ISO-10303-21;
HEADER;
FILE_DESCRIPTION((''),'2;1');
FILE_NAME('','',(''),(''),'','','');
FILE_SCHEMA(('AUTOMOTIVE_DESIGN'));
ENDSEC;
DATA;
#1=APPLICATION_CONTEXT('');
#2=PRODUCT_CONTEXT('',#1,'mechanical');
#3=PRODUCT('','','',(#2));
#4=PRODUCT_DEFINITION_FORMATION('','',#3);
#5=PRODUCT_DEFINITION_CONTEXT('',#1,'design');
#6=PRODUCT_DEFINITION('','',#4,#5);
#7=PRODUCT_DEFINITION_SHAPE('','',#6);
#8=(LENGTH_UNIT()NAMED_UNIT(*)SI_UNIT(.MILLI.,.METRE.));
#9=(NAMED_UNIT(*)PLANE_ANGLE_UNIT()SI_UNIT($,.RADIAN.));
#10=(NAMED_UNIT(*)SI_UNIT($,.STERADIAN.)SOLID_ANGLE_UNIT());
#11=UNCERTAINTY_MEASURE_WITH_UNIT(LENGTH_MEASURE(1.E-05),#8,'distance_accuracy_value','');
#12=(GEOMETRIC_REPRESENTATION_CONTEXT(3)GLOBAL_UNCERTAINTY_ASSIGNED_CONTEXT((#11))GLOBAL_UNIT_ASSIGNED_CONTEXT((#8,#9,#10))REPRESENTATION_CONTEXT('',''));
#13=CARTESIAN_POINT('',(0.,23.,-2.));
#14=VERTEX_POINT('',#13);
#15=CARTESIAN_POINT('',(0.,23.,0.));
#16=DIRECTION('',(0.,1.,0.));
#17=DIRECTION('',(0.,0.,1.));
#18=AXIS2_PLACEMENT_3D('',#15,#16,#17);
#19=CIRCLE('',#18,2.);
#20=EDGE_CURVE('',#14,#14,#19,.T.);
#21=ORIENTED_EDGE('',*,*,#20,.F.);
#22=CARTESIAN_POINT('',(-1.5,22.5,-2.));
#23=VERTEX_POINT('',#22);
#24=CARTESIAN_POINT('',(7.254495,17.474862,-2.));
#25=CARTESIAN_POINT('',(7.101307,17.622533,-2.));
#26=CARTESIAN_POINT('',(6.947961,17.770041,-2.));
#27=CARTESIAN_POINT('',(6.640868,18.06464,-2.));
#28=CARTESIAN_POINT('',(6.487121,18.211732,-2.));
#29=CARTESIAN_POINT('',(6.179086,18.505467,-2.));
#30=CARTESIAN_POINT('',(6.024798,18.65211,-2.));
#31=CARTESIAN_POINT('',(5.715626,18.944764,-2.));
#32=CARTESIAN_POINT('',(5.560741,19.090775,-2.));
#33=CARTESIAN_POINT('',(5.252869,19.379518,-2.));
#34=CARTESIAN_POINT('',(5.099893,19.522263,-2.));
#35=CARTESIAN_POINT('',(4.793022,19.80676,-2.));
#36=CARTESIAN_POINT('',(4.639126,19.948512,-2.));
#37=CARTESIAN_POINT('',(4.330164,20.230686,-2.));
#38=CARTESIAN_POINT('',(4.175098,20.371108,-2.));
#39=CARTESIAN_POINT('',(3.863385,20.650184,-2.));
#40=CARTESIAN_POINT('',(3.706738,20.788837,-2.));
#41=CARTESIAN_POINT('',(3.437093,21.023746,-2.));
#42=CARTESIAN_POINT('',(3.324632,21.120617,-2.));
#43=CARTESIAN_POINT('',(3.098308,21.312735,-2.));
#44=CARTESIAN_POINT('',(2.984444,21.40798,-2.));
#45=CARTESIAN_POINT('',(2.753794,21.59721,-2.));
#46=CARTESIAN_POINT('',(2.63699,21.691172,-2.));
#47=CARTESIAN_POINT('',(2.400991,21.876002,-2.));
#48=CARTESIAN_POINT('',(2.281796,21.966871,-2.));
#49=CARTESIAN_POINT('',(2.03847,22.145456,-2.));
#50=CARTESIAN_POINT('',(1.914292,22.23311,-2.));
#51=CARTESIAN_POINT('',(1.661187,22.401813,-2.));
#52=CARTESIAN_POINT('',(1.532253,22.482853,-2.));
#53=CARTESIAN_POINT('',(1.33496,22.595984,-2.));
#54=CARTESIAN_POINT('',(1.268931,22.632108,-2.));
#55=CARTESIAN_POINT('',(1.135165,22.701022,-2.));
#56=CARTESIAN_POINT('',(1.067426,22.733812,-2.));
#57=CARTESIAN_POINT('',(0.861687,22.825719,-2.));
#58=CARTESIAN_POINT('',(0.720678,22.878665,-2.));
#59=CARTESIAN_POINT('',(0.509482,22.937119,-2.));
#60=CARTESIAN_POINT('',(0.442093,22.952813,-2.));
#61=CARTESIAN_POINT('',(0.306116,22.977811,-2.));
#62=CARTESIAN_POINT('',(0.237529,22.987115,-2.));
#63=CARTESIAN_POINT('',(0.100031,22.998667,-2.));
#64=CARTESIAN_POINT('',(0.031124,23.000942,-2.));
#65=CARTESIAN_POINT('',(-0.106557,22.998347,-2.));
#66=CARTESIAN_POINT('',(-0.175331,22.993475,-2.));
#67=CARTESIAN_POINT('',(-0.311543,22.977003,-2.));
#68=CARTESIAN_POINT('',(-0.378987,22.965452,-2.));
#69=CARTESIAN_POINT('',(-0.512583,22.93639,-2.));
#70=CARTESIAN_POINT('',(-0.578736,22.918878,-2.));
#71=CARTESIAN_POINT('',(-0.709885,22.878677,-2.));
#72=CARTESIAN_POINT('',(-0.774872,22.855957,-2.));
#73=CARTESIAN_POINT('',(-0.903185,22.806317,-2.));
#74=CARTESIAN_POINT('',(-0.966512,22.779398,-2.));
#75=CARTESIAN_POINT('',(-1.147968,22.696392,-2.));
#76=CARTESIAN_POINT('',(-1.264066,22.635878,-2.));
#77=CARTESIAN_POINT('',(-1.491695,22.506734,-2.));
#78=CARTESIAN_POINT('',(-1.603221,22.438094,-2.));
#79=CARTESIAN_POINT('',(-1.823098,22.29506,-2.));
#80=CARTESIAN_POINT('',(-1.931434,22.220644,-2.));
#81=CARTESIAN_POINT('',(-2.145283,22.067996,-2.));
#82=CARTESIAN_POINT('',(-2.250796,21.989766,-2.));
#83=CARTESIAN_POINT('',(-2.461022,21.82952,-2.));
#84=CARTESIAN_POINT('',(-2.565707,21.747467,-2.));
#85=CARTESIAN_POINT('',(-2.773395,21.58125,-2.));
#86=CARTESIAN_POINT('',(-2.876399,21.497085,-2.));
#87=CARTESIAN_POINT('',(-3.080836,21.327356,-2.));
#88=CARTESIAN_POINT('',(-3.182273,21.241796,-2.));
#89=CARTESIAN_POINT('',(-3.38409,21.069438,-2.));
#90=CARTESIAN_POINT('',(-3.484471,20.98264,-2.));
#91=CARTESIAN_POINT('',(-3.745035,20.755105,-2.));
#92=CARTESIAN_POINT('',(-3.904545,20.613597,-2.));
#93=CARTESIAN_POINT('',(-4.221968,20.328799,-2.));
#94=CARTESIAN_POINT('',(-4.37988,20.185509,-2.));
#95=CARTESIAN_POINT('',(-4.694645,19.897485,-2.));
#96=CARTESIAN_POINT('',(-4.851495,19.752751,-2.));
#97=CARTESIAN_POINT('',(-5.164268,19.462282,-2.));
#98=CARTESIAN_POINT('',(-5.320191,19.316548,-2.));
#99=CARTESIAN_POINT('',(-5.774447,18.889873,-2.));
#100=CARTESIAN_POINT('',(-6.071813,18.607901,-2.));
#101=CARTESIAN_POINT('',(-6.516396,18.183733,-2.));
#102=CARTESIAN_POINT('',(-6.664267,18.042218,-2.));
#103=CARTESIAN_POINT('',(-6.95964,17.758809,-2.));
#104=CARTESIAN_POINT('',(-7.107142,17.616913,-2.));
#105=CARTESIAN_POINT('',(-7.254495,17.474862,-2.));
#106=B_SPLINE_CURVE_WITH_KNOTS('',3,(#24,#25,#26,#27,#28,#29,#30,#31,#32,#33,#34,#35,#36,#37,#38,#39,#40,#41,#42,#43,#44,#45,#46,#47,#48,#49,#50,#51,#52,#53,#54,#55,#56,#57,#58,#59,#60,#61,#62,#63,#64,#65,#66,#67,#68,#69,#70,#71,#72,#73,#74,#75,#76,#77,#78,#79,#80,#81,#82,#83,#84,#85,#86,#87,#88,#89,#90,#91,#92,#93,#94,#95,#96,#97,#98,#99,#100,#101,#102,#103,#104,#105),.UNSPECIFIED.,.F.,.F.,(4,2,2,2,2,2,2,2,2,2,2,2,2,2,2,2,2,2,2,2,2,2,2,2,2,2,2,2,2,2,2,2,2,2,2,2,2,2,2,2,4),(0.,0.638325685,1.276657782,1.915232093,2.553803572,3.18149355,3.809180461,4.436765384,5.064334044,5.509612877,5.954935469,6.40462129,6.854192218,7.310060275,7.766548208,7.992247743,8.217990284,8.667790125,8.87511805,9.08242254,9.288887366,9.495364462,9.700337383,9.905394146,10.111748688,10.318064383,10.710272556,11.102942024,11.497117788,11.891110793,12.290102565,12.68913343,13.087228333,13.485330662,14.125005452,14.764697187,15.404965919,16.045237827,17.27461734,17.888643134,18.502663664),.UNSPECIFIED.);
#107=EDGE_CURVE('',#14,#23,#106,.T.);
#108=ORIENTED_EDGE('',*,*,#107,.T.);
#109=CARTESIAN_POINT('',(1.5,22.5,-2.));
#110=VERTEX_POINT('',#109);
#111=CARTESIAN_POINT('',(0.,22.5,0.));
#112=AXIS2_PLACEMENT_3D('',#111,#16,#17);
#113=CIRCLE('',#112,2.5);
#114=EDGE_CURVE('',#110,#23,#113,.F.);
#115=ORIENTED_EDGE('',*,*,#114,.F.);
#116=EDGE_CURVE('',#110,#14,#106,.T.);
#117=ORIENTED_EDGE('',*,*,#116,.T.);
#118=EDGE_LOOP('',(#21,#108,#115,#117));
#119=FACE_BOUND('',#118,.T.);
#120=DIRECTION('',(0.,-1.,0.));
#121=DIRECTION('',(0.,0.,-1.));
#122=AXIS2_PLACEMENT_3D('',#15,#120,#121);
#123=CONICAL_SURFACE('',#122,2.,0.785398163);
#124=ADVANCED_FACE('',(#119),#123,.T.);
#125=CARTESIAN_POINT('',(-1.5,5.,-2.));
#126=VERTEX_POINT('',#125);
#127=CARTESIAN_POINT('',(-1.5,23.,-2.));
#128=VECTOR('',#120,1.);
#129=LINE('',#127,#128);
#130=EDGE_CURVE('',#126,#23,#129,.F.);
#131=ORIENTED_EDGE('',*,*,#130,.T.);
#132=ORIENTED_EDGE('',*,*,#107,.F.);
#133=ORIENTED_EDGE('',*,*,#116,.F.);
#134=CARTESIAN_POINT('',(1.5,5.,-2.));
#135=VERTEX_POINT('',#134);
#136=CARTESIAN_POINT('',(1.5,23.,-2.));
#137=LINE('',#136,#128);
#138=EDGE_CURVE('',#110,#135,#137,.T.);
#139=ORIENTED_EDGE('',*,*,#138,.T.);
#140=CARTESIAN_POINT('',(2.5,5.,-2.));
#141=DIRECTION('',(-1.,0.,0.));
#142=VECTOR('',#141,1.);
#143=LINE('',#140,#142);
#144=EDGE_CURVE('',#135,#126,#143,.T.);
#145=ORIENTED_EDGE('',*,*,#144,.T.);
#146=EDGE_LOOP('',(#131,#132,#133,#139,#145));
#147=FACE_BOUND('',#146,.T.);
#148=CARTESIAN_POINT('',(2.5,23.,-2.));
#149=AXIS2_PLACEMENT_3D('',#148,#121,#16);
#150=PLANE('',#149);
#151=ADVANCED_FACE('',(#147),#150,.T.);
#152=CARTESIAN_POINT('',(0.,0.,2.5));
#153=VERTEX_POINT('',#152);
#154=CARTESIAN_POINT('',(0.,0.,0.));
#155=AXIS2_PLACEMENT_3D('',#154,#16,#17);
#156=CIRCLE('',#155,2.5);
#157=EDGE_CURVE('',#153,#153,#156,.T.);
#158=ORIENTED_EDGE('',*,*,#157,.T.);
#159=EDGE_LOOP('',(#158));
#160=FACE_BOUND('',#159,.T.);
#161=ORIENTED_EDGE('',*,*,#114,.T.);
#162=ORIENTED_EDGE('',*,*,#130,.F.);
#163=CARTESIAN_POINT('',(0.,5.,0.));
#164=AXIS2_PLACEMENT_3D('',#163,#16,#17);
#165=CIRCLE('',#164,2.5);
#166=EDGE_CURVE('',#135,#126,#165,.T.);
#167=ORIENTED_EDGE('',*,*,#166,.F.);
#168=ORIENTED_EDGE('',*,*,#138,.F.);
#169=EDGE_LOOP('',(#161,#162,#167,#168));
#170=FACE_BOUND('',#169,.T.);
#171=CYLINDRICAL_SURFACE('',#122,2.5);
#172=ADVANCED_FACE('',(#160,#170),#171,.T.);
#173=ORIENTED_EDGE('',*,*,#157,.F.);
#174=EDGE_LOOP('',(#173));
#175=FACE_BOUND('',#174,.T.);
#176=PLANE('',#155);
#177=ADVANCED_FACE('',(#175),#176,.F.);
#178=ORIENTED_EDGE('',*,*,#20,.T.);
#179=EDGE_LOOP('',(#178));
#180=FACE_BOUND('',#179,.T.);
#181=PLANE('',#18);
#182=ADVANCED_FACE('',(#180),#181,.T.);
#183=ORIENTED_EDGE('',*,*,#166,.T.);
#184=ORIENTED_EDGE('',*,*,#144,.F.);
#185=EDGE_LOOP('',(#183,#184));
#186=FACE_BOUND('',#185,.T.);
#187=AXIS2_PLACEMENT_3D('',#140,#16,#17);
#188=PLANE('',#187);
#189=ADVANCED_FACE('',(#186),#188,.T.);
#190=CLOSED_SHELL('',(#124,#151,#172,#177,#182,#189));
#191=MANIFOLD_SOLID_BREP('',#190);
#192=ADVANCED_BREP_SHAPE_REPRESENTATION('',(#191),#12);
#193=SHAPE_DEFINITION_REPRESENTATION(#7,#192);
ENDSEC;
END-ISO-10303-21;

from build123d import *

# Parameters (mm, degrees)
SKETCH1_R               = 2.5
BOSS_EXTRUDE1_DEPTH     = 23
CHAMFER1_SIZE           = 0.5
CUT_EXTRUDE1_DEPTH      = 24.270152556
CUT_EXTRUDE1_DEPTH_BACK = 24.270152556
SKETCH2_W               = 0.5
SKETCH2_H               = 18


with BuildPart() as part:
    # Sketch1 → Boss-Extrude1 (new body)
    with BuildSketch(Plane(origin=(0, 0, 0), x_dir=(1, 0, 0), z_dir=(0, 1, 0))):
        with Locations(Location((0, 0, 0), (0, 0, 270))):
            Circle(SKETCH1_R)
    extrude(amount=BOSS_EXTRUDE1_DEPTH)

    # Chamfer1
    chamfer1_edges = [part.edges().sort_by_distance(p)[0] for p in [
        (0, 23, -2.5),
    ]]
    chamfer(chamfer1_edges, length=CHAMFER1_SIZE)

    # Sketch2 → Cut-Extrude1 (cut, two sides: drawn at the far end of the back side and taken through both)
    with BuildSketch(Plane(origin=(0, 0, 0), x_dir=(0, 0, -1), z_dir=(1, 0, 0)).offset(-CUT_EXTRUDE1_DEPTH_BACK)):
        with Locations((2.25, 14)):
            Rectangle(SKETCH2_W, SKETCH2_H)
    extrude(amount=CUT_EXTRUDE1_DEPTH + CUT_EXTRUDE1_DEPTH_BACK, mode=Mode.SUBTRACT)


solid = part.part
